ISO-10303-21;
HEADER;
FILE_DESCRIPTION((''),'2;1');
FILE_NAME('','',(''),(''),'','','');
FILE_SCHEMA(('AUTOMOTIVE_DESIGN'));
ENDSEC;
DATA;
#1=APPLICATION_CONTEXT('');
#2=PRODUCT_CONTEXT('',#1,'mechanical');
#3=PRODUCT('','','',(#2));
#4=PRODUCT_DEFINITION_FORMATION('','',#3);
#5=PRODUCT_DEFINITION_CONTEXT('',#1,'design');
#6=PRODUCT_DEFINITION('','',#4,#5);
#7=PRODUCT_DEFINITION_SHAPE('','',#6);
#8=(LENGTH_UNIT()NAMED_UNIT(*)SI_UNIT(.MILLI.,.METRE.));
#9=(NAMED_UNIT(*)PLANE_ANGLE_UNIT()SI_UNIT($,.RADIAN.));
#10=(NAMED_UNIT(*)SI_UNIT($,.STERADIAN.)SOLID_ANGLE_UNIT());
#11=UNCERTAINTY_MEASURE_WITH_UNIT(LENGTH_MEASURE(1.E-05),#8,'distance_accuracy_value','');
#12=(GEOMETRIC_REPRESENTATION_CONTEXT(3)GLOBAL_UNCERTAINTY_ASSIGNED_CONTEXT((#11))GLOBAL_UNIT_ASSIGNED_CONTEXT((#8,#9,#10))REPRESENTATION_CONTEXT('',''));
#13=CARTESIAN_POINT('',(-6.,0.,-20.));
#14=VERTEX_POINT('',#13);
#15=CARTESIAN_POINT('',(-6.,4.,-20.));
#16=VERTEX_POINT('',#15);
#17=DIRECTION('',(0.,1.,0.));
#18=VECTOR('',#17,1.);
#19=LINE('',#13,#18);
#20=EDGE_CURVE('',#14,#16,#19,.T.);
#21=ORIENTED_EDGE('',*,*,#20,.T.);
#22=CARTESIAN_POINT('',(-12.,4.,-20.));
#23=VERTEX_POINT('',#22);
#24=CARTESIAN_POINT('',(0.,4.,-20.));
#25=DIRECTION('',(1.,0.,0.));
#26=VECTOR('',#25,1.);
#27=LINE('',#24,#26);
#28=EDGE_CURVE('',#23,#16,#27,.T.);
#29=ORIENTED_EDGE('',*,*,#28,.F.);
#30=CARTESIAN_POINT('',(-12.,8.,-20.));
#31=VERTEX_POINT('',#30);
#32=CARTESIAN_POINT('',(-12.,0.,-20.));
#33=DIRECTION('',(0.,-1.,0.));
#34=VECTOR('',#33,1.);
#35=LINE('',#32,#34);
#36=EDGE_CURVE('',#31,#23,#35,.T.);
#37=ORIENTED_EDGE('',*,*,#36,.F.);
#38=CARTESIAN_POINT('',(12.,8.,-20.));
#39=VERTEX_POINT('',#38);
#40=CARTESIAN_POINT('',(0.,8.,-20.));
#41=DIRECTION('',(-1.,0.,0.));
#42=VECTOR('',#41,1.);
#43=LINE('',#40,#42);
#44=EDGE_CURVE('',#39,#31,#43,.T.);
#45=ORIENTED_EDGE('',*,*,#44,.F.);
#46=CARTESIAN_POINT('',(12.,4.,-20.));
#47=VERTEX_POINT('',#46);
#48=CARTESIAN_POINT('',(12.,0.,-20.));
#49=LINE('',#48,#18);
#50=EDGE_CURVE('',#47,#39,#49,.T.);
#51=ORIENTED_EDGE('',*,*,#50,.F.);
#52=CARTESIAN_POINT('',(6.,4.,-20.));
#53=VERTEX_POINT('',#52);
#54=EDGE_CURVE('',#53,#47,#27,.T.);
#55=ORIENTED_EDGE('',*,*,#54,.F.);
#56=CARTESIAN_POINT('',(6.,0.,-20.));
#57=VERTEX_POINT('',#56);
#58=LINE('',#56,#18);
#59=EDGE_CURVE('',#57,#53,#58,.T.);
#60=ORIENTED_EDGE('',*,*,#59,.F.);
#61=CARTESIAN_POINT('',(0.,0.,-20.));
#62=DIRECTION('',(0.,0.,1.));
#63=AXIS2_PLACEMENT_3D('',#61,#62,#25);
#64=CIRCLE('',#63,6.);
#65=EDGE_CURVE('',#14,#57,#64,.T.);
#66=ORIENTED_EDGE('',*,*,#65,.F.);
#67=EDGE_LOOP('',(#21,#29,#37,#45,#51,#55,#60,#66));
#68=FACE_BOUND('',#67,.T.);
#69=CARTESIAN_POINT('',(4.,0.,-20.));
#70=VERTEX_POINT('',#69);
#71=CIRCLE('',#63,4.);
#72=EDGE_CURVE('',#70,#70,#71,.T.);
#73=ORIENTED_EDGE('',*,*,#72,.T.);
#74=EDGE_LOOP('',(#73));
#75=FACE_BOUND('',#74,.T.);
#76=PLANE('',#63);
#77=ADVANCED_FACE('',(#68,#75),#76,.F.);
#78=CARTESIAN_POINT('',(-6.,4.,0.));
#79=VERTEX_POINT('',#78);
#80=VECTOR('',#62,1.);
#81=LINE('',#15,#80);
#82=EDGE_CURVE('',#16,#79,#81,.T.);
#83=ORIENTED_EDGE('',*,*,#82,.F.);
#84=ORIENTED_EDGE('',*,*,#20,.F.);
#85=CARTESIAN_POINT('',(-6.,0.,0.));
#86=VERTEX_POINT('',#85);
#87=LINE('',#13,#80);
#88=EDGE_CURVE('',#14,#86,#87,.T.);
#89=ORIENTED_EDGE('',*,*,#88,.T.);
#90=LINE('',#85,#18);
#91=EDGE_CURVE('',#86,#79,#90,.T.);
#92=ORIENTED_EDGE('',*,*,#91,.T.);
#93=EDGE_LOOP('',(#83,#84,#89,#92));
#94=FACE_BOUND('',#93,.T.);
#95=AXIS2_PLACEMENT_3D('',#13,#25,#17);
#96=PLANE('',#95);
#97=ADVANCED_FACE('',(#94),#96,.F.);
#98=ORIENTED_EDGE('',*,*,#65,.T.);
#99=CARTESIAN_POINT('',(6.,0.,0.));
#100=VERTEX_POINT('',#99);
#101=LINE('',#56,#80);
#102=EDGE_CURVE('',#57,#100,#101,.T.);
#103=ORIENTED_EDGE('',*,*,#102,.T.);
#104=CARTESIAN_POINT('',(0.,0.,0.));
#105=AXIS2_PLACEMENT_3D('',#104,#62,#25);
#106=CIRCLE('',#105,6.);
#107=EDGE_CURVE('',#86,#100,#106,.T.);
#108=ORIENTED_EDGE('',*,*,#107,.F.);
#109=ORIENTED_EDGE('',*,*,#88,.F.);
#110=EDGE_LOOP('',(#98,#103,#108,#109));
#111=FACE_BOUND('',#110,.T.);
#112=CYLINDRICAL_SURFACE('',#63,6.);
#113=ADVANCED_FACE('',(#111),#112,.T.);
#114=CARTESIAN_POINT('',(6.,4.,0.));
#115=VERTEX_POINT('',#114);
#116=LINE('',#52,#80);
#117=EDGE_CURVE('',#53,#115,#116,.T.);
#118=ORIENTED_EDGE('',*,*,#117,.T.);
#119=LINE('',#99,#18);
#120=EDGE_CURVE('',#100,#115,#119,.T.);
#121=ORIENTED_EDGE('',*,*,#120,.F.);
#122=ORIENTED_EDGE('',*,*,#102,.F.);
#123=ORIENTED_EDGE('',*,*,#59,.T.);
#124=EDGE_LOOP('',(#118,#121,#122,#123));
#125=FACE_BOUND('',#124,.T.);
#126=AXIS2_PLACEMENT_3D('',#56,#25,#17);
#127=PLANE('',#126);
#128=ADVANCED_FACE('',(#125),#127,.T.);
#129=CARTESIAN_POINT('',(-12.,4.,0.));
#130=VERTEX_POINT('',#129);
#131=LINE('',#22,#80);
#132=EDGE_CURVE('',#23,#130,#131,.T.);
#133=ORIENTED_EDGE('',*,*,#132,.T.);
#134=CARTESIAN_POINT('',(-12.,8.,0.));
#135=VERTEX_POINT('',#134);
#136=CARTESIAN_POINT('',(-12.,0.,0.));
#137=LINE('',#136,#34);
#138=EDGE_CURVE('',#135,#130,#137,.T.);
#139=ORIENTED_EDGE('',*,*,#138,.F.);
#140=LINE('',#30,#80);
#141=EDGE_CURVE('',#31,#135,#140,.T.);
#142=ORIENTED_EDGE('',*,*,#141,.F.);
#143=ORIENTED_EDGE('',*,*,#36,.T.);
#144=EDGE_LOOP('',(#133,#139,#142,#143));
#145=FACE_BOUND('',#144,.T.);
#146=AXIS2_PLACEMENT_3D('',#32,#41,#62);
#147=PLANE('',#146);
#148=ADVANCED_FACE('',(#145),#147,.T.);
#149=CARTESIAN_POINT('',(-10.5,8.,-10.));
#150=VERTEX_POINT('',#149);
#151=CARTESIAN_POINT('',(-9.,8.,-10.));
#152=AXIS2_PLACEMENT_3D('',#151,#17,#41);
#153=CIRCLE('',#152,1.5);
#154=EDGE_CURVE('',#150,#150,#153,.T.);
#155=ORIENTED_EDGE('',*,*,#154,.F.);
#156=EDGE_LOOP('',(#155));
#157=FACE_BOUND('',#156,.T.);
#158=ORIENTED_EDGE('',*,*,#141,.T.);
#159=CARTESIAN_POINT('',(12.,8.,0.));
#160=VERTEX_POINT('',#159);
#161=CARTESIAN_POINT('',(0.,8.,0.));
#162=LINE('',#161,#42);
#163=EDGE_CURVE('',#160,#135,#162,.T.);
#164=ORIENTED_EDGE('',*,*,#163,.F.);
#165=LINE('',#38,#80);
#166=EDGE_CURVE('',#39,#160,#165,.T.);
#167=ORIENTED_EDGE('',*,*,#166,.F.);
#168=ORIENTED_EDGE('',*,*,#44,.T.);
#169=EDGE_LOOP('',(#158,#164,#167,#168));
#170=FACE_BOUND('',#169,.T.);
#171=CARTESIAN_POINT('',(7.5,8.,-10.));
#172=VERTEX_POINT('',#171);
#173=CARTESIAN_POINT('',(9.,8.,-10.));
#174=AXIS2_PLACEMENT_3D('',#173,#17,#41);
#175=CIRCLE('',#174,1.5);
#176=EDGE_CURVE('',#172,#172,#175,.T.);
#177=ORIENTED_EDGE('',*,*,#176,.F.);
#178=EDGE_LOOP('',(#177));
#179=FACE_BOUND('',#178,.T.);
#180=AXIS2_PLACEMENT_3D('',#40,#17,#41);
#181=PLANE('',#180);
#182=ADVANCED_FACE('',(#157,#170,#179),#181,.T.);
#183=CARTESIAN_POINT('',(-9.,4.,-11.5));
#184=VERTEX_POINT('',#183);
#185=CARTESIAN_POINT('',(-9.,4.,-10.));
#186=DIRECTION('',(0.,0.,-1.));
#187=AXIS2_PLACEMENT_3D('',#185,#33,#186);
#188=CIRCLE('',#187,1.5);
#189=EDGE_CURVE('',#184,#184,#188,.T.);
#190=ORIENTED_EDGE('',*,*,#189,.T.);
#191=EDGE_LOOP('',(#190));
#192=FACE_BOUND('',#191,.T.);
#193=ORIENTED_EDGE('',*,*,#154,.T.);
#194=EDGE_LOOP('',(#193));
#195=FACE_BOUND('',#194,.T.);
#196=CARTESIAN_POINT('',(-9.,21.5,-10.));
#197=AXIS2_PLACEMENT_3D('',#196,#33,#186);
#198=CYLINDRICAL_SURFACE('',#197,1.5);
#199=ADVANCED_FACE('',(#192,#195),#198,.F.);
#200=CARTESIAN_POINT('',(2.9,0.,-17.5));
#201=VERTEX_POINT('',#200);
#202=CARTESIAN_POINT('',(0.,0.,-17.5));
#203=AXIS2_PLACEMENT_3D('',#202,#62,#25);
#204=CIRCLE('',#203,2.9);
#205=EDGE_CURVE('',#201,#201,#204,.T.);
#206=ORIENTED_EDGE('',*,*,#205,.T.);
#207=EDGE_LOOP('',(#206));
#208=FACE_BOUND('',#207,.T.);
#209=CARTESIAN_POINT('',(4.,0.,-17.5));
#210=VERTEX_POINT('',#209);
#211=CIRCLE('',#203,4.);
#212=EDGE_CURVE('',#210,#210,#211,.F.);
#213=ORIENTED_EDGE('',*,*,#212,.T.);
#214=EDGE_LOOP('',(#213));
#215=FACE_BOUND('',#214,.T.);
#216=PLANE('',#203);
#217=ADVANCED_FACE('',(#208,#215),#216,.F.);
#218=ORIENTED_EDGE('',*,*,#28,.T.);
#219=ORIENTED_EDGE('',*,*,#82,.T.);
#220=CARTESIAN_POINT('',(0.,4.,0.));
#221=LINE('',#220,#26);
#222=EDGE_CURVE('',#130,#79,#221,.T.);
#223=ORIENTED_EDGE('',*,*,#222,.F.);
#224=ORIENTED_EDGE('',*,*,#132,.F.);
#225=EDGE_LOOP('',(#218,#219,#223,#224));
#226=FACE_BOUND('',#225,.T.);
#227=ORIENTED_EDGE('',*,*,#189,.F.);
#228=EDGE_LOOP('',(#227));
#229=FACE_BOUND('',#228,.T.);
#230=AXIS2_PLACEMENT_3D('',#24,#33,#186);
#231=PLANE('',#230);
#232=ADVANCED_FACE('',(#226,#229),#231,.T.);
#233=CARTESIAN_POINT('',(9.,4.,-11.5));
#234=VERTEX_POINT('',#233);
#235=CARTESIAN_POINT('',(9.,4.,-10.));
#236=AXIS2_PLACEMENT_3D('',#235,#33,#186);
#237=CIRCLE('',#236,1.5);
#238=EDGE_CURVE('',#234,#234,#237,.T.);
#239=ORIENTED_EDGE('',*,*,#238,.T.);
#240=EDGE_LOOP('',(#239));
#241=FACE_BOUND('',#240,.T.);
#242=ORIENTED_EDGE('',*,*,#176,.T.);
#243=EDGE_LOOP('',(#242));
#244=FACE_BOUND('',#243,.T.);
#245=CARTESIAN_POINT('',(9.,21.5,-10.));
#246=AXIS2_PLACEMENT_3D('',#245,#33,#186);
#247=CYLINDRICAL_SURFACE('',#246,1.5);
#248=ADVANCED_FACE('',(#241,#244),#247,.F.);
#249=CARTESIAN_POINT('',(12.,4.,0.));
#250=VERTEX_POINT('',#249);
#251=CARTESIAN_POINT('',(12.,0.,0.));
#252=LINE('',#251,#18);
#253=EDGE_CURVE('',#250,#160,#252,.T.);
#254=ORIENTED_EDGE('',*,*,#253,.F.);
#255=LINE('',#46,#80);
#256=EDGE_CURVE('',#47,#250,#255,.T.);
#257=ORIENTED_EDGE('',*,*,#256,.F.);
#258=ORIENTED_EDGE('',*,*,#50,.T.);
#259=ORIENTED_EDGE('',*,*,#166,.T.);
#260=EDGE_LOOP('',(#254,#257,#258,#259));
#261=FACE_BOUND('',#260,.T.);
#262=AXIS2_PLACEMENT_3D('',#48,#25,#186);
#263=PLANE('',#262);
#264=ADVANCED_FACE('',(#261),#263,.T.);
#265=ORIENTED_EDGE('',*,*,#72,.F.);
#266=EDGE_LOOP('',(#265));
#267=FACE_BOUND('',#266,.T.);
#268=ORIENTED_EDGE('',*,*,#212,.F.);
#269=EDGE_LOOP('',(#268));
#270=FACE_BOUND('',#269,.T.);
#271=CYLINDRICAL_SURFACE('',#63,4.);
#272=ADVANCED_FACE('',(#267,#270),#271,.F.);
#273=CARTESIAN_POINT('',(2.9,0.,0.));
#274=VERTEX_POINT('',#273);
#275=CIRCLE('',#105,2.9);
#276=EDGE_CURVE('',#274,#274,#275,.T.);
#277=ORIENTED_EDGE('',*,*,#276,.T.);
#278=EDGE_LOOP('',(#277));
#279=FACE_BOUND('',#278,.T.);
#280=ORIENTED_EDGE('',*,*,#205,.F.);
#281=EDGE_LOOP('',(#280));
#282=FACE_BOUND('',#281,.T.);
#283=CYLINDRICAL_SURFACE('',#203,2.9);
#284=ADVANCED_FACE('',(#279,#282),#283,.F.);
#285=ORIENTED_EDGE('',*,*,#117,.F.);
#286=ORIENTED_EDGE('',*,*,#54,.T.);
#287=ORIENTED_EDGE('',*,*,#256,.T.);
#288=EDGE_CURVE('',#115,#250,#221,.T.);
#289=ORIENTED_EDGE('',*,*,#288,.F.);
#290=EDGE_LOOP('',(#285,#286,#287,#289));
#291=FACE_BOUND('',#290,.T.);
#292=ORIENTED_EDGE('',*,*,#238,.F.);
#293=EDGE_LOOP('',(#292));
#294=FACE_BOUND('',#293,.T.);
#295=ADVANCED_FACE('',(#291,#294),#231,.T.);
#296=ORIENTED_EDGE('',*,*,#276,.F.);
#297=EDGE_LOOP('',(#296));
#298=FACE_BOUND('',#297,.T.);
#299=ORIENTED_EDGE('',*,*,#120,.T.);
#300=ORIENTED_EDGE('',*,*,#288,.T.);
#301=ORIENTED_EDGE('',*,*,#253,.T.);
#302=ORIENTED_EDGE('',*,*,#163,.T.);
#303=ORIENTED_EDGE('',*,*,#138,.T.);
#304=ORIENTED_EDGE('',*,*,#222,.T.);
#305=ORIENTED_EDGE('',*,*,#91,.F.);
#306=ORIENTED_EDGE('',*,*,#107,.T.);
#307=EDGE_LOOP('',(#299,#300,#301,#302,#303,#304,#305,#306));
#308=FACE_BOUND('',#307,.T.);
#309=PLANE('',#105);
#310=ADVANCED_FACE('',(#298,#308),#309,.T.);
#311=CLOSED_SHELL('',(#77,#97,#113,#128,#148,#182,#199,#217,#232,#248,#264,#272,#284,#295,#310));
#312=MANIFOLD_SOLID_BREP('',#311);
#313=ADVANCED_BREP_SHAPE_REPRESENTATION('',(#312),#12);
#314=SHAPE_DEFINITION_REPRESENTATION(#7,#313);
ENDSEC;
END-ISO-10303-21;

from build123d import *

# Parameters (mm, degrees)
ESQUISSE1_R             = 4
BOSS_EXTRU_1_DEPTH      = 20
ESQUISSE2_R             = 4
ESQUISSE2_R_2           = 2.9
BOSS_EXTRU_2_DEPTH      = 17.5
ESQUISSE3_R             = 1.5
ENL_V_MAT_EXTRU_1_DEPTH = 17.5


with BuildPart() as part:
    # Esquisse1 → Boss.-Extru.1 (new body)
    with BuildSketch(Plane.XY):
        with BuildLine():
            Line((-12, 4), (-6, 4))
            Line((-6, 4), (-6, 0))
            ThreePointArc((-6, 0), (0, -6), (6, 0))
            Line((6, 0), (6, 4))
            Line((6, 4), (12, 4))
            Line((12, 4), (12, 8))
            Line((12, 8), (-12, 8))
            Line((-12, 8), (-12, 4))
        make_face()
        Circle(ESQUISSE1_R, mode=Mode.SUBTRACT)
    extrude(amount=-BOSS_EXTRU_1_DEPTH)

    # Esquisse2 → Boss.-Extru.2 (add)
    with BuildSketch(Plane.XY):
        Circle(ESQUISSE2_R)
        Circle(ESQUISSE2_R_2, mode=Mode.SUBTRACT)
    extrude(amount=-BOSS_EXTRU_2_DEPTH)

    # Esquisse3 → Enlèv. mat.-Extru.1 (cut)
    with BuildSketch(Plane.XZ.offset(-4)):
        with Locations(Location((9, -10, 0), (0, 0, 270))):
            Circle(ESQUISSE3_R)
        with Locations(Location((-9, -10, 0), (0, 0, 270))):
            Circle(ESQUISSE3_R)
    extrude(amount=-ENL_V_MAT_EXTRU_1_DEPTH, mode=Mode.SUBTRACT)


solid = part.part
